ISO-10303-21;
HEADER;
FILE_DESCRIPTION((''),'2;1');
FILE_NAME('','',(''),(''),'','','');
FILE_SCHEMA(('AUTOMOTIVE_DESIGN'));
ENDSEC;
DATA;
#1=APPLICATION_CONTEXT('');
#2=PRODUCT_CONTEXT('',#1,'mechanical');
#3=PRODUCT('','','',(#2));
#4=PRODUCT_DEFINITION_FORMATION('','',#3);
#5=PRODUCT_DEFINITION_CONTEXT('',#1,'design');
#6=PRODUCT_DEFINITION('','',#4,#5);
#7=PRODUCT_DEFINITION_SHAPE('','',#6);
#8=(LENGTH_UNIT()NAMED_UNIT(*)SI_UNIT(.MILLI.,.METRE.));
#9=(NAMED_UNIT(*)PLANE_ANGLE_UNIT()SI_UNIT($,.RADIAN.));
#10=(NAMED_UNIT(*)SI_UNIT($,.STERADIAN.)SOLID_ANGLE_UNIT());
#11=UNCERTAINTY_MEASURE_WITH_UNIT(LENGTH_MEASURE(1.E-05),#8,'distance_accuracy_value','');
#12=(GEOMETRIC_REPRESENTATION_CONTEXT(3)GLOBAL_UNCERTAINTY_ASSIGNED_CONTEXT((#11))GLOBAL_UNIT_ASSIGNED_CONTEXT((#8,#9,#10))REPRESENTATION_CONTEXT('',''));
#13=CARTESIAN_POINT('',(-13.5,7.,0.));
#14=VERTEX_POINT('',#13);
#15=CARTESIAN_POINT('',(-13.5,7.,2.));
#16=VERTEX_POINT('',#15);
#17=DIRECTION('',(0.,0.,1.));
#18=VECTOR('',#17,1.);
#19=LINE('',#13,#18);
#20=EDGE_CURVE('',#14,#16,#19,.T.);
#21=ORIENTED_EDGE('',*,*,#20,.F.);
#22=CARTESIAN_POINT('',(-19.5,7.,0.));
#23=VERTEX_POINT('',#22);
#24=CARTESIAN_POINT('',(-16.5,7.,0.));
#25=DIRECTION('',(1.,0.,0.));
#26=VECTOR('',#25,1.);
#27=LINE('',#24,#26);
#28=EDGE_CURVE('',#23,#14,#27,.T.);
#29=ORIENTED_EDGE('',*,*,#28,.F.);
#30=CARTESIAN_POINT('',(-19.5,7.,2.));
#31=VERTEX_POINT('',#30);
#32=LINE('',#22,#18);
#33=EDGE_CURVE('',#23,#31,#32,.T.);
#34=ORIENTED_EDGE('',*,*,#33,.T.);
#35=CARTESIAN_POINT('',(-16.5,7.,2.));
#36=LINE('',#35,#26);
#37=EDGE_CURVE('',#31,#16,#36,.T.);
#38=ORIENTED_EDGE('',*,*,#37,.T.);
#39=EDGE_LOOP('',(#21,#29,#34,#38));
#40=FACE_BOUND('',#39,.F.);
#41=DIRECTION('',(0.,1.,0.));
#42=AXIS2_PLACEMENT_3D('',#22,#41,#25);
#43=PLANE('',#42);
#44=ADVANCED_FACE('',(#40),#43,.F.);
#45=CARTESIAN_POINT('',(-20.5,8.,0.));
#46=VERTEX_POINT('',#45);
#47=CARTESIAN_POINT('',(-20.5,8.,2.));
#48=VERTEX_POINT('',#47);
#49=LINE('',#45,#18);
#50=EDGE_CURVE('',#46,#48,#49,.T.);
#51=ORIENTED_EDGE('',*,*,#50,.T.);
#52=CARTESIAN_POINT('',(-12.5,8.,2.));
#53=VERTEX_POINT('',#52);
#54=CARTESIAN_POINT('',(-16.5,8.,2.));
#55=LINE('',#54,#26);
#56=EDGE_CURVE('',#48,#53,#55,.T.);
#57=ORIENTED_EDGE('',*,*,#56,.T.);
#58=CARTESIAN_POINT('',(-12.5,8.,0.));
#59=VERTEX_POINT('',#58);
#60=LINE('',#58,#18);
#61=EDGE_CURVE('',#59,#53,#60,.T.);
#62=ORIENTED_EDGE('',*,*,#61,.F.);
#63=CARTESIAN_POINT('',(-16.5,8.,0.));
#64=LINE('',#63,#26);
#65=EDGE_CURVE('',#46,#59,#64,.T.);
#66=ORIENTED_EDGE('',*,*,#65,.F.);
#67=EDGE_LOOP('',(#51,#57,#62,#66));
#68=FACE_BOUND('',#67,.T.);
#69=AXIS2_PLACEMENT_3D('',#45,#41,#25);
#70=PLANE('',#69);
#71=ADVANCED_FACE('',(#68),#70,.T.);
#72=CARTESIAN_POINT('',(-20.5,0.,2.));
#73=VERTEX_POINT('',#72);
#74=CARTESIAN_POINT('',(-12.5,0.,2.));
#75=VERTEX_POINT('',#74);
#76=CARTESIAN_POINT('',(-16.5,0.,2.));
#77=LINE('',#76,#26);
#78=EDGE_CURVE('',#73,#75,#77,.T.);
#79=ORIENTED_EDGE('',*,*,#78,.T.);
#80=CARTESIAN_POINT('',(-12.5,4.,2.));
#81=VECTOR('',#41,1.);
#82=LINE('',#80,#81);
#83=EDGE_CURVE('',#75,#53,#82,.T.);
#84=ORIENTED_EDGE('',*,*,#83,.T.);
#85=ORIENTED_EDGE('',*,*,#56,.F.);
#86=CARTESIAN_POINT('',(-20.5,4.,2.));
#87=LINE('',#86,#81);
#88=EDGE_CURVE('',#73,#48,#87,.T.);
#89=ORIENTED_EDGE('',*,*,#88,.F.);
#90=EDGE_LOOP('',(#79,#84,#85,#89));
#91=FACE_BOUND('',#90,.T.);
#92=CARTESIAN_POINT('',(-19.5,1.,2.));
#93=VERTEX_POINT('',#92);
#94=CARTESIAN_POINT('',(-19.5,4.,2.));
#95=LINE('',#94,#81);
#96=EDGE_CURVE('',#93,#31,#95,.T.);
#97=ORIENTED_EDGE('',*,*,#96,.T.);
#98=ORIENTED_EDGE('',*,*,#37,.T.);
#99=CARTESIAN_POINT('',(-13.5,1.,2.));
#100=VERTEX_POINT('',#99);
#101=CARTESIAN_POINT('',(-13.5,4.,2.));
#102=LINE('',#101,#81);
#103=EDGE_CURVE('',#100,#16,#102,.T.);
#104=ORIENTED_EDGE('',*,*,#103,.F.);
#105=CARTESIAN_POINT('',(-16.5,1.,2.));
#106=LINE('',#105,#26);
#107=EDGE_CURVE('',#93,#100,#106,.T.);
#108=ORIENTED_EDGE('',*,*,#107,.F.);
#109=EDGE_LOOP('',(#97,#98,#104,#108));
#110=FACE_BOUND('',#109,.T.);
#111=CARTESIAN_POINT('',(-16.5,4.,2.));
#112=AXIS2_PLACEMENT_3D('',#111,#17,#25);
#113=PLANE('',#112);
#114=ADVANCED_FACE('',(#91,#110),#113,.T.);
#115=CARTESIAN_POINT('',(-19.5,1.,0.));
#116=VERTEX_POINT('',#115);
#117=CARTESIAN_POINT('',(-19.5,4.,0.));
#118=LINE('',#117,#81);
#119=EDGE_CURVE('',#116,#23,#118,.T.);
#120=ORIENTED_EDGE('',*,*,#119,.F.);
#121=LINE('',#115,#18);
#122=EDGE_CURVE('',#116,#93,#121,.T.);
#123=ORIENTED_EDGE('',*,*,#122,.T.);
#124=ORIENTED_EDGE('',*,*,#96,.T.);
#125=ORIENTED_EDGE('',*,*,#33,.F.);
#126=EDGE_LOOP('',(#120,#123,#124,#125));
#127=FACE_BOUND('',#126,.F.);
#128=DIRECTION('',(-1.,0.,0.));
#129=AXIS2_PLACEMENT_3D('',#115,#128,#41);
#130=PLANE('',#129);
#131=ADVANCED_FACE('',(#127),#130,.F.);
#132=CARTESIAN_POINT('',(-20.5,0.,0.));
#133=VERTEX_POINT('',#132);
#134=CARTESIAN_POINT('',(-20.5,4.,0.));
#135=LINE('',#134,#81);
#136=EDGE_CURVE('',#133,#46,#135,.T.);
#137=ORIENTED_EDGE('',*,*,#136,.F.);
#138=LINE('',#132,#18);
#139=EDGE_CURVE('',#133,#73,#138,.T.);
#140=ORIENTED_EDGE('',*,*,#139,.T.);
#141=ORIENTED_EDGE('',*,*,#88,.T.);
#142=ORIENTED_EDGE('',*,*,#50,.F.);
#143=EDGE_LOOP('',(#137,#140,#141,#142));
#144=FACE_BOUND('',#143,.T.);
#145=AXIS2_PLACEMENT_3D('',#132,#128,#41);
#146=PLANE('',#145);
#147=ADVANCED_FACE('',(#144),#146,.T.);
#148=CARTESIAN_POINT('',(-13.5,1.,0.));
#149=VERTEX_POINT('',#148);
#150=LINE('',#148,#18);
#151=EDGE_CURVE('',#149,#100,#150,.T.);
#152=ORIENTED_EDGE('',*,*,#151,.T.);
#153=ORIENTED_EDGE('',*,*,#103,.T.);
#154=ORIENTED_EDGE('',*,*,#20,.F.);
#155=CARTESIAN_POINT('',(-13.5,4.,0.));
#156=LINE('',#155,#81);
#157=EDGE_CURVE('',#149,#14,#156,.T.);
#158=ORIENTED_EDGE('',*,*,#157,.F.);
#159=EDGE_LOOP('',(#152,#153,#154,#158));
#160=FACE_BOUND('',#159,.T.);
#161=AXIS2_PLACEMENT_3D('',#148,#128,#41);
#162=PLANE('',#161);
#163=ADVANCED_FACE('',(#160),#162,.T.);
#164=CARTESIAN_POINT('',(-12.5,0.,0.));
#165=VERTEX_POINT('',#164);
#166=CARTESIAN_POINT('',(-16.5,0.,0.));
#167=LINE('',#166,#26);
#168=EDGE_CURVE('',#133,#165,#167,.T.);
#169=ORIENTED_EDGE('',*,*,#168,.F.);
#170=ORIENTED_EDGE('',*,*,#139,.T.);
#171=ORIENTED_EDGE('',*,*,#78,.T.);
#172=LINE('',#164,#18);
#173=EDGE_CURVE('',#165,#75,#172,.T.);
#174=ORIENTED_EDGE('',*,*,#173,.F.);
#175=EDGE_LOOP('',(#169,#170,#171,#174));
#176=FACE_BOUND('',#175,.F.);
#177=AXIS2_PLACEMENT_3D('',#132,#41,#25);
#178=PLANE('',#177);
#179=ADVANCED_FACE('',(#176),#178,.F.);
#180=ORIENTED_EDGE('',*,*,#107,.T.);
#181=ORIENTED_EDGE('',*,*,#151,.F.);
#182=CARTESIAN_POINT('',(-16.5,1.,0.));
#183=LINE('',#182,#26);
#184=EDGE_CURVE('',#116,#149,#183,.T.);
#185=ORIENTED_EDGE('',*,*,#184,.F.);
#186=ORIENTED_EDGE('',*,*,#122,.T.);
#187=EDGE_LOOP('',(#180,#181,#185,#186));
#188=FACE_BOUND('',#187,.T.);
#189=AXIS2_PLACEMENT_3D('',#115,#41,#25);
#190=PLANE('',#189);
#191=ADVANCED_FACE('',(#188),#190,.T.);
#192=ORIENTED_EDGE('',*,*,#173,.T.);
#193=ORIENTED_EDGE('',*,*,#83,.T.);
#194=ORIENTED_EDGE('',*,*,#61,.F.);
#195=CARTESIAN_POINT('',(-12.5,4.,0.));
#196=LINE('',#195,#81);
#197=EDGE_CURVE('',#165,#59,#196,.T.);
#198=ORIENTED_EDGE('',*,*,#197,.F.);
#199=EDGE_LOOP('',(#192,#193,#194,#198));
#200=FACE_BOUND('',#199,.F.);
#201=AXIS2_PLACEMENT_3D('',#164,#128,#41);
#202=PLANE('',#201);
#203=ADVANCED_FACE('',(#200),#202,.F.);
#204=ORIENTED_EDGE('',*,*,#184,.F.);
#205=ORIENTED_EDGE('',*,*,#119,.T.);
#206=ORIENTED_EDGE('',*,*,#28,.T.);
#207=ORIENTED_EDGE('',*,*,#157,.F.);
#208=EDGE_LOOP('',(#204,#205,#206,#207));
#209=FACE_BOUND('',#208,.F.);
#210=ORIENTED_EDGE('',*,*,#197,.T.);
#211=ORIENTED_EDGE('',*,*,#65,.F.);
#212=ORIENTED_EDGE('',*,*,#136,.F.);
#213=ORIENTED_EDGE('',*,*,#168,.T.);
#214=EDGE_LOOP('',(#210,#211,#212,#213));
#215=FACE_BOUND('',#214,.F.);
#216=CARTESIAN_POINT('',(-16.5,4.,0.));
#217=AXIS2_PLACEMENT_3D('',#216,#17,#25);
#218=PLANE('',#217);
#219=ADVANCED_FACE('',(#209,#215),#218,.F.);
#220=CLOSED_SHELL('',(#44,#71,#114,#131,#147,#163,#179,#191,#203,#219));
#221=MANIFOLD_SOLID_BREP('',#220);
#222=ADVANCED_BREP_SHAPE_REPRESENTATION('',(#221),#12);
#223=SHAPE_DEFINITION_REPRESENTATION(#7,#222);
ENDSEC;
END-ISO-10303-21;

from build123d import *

# Parameters (mm, degrees)
BOX022_W     = 6
BOX022_H     = 6
BOX022_DEPTH = 2
BOX021_W     = 8
BOX021_H     = 8
BOX021_DEPTH = 2


with BuildPart() as cube022:
    # Box022 → Box022 (new body)
    with BuildSketch(Plane(origin=(-19.5, 1, 0), x_dir=(1, 0, 0), z_dir=(0, 0, 1))):
        with Locations((3, 3)):
            Rectangle(BOX022_W, BOX022_H)
    extrude(amount=BOX022_DEPTH)


with BuildPart() as cut003007:
    # Box021 → Box021 (new body)
    with BuildSketch(Plane(origin=(-20.5, 0, 0), x_dir=(1, 0, 0), z_dir=(0, 0, 1))):
        with Locations((4, 4)):
            Rectangle(BOX021_W, BOX021_H)
    extrude(amount=BOX021_DEPTH)

    # Cut003007: cut Cube022
    add(cube022.part, mode=Mode.SUBTRACT)


solid = cut003007.part
